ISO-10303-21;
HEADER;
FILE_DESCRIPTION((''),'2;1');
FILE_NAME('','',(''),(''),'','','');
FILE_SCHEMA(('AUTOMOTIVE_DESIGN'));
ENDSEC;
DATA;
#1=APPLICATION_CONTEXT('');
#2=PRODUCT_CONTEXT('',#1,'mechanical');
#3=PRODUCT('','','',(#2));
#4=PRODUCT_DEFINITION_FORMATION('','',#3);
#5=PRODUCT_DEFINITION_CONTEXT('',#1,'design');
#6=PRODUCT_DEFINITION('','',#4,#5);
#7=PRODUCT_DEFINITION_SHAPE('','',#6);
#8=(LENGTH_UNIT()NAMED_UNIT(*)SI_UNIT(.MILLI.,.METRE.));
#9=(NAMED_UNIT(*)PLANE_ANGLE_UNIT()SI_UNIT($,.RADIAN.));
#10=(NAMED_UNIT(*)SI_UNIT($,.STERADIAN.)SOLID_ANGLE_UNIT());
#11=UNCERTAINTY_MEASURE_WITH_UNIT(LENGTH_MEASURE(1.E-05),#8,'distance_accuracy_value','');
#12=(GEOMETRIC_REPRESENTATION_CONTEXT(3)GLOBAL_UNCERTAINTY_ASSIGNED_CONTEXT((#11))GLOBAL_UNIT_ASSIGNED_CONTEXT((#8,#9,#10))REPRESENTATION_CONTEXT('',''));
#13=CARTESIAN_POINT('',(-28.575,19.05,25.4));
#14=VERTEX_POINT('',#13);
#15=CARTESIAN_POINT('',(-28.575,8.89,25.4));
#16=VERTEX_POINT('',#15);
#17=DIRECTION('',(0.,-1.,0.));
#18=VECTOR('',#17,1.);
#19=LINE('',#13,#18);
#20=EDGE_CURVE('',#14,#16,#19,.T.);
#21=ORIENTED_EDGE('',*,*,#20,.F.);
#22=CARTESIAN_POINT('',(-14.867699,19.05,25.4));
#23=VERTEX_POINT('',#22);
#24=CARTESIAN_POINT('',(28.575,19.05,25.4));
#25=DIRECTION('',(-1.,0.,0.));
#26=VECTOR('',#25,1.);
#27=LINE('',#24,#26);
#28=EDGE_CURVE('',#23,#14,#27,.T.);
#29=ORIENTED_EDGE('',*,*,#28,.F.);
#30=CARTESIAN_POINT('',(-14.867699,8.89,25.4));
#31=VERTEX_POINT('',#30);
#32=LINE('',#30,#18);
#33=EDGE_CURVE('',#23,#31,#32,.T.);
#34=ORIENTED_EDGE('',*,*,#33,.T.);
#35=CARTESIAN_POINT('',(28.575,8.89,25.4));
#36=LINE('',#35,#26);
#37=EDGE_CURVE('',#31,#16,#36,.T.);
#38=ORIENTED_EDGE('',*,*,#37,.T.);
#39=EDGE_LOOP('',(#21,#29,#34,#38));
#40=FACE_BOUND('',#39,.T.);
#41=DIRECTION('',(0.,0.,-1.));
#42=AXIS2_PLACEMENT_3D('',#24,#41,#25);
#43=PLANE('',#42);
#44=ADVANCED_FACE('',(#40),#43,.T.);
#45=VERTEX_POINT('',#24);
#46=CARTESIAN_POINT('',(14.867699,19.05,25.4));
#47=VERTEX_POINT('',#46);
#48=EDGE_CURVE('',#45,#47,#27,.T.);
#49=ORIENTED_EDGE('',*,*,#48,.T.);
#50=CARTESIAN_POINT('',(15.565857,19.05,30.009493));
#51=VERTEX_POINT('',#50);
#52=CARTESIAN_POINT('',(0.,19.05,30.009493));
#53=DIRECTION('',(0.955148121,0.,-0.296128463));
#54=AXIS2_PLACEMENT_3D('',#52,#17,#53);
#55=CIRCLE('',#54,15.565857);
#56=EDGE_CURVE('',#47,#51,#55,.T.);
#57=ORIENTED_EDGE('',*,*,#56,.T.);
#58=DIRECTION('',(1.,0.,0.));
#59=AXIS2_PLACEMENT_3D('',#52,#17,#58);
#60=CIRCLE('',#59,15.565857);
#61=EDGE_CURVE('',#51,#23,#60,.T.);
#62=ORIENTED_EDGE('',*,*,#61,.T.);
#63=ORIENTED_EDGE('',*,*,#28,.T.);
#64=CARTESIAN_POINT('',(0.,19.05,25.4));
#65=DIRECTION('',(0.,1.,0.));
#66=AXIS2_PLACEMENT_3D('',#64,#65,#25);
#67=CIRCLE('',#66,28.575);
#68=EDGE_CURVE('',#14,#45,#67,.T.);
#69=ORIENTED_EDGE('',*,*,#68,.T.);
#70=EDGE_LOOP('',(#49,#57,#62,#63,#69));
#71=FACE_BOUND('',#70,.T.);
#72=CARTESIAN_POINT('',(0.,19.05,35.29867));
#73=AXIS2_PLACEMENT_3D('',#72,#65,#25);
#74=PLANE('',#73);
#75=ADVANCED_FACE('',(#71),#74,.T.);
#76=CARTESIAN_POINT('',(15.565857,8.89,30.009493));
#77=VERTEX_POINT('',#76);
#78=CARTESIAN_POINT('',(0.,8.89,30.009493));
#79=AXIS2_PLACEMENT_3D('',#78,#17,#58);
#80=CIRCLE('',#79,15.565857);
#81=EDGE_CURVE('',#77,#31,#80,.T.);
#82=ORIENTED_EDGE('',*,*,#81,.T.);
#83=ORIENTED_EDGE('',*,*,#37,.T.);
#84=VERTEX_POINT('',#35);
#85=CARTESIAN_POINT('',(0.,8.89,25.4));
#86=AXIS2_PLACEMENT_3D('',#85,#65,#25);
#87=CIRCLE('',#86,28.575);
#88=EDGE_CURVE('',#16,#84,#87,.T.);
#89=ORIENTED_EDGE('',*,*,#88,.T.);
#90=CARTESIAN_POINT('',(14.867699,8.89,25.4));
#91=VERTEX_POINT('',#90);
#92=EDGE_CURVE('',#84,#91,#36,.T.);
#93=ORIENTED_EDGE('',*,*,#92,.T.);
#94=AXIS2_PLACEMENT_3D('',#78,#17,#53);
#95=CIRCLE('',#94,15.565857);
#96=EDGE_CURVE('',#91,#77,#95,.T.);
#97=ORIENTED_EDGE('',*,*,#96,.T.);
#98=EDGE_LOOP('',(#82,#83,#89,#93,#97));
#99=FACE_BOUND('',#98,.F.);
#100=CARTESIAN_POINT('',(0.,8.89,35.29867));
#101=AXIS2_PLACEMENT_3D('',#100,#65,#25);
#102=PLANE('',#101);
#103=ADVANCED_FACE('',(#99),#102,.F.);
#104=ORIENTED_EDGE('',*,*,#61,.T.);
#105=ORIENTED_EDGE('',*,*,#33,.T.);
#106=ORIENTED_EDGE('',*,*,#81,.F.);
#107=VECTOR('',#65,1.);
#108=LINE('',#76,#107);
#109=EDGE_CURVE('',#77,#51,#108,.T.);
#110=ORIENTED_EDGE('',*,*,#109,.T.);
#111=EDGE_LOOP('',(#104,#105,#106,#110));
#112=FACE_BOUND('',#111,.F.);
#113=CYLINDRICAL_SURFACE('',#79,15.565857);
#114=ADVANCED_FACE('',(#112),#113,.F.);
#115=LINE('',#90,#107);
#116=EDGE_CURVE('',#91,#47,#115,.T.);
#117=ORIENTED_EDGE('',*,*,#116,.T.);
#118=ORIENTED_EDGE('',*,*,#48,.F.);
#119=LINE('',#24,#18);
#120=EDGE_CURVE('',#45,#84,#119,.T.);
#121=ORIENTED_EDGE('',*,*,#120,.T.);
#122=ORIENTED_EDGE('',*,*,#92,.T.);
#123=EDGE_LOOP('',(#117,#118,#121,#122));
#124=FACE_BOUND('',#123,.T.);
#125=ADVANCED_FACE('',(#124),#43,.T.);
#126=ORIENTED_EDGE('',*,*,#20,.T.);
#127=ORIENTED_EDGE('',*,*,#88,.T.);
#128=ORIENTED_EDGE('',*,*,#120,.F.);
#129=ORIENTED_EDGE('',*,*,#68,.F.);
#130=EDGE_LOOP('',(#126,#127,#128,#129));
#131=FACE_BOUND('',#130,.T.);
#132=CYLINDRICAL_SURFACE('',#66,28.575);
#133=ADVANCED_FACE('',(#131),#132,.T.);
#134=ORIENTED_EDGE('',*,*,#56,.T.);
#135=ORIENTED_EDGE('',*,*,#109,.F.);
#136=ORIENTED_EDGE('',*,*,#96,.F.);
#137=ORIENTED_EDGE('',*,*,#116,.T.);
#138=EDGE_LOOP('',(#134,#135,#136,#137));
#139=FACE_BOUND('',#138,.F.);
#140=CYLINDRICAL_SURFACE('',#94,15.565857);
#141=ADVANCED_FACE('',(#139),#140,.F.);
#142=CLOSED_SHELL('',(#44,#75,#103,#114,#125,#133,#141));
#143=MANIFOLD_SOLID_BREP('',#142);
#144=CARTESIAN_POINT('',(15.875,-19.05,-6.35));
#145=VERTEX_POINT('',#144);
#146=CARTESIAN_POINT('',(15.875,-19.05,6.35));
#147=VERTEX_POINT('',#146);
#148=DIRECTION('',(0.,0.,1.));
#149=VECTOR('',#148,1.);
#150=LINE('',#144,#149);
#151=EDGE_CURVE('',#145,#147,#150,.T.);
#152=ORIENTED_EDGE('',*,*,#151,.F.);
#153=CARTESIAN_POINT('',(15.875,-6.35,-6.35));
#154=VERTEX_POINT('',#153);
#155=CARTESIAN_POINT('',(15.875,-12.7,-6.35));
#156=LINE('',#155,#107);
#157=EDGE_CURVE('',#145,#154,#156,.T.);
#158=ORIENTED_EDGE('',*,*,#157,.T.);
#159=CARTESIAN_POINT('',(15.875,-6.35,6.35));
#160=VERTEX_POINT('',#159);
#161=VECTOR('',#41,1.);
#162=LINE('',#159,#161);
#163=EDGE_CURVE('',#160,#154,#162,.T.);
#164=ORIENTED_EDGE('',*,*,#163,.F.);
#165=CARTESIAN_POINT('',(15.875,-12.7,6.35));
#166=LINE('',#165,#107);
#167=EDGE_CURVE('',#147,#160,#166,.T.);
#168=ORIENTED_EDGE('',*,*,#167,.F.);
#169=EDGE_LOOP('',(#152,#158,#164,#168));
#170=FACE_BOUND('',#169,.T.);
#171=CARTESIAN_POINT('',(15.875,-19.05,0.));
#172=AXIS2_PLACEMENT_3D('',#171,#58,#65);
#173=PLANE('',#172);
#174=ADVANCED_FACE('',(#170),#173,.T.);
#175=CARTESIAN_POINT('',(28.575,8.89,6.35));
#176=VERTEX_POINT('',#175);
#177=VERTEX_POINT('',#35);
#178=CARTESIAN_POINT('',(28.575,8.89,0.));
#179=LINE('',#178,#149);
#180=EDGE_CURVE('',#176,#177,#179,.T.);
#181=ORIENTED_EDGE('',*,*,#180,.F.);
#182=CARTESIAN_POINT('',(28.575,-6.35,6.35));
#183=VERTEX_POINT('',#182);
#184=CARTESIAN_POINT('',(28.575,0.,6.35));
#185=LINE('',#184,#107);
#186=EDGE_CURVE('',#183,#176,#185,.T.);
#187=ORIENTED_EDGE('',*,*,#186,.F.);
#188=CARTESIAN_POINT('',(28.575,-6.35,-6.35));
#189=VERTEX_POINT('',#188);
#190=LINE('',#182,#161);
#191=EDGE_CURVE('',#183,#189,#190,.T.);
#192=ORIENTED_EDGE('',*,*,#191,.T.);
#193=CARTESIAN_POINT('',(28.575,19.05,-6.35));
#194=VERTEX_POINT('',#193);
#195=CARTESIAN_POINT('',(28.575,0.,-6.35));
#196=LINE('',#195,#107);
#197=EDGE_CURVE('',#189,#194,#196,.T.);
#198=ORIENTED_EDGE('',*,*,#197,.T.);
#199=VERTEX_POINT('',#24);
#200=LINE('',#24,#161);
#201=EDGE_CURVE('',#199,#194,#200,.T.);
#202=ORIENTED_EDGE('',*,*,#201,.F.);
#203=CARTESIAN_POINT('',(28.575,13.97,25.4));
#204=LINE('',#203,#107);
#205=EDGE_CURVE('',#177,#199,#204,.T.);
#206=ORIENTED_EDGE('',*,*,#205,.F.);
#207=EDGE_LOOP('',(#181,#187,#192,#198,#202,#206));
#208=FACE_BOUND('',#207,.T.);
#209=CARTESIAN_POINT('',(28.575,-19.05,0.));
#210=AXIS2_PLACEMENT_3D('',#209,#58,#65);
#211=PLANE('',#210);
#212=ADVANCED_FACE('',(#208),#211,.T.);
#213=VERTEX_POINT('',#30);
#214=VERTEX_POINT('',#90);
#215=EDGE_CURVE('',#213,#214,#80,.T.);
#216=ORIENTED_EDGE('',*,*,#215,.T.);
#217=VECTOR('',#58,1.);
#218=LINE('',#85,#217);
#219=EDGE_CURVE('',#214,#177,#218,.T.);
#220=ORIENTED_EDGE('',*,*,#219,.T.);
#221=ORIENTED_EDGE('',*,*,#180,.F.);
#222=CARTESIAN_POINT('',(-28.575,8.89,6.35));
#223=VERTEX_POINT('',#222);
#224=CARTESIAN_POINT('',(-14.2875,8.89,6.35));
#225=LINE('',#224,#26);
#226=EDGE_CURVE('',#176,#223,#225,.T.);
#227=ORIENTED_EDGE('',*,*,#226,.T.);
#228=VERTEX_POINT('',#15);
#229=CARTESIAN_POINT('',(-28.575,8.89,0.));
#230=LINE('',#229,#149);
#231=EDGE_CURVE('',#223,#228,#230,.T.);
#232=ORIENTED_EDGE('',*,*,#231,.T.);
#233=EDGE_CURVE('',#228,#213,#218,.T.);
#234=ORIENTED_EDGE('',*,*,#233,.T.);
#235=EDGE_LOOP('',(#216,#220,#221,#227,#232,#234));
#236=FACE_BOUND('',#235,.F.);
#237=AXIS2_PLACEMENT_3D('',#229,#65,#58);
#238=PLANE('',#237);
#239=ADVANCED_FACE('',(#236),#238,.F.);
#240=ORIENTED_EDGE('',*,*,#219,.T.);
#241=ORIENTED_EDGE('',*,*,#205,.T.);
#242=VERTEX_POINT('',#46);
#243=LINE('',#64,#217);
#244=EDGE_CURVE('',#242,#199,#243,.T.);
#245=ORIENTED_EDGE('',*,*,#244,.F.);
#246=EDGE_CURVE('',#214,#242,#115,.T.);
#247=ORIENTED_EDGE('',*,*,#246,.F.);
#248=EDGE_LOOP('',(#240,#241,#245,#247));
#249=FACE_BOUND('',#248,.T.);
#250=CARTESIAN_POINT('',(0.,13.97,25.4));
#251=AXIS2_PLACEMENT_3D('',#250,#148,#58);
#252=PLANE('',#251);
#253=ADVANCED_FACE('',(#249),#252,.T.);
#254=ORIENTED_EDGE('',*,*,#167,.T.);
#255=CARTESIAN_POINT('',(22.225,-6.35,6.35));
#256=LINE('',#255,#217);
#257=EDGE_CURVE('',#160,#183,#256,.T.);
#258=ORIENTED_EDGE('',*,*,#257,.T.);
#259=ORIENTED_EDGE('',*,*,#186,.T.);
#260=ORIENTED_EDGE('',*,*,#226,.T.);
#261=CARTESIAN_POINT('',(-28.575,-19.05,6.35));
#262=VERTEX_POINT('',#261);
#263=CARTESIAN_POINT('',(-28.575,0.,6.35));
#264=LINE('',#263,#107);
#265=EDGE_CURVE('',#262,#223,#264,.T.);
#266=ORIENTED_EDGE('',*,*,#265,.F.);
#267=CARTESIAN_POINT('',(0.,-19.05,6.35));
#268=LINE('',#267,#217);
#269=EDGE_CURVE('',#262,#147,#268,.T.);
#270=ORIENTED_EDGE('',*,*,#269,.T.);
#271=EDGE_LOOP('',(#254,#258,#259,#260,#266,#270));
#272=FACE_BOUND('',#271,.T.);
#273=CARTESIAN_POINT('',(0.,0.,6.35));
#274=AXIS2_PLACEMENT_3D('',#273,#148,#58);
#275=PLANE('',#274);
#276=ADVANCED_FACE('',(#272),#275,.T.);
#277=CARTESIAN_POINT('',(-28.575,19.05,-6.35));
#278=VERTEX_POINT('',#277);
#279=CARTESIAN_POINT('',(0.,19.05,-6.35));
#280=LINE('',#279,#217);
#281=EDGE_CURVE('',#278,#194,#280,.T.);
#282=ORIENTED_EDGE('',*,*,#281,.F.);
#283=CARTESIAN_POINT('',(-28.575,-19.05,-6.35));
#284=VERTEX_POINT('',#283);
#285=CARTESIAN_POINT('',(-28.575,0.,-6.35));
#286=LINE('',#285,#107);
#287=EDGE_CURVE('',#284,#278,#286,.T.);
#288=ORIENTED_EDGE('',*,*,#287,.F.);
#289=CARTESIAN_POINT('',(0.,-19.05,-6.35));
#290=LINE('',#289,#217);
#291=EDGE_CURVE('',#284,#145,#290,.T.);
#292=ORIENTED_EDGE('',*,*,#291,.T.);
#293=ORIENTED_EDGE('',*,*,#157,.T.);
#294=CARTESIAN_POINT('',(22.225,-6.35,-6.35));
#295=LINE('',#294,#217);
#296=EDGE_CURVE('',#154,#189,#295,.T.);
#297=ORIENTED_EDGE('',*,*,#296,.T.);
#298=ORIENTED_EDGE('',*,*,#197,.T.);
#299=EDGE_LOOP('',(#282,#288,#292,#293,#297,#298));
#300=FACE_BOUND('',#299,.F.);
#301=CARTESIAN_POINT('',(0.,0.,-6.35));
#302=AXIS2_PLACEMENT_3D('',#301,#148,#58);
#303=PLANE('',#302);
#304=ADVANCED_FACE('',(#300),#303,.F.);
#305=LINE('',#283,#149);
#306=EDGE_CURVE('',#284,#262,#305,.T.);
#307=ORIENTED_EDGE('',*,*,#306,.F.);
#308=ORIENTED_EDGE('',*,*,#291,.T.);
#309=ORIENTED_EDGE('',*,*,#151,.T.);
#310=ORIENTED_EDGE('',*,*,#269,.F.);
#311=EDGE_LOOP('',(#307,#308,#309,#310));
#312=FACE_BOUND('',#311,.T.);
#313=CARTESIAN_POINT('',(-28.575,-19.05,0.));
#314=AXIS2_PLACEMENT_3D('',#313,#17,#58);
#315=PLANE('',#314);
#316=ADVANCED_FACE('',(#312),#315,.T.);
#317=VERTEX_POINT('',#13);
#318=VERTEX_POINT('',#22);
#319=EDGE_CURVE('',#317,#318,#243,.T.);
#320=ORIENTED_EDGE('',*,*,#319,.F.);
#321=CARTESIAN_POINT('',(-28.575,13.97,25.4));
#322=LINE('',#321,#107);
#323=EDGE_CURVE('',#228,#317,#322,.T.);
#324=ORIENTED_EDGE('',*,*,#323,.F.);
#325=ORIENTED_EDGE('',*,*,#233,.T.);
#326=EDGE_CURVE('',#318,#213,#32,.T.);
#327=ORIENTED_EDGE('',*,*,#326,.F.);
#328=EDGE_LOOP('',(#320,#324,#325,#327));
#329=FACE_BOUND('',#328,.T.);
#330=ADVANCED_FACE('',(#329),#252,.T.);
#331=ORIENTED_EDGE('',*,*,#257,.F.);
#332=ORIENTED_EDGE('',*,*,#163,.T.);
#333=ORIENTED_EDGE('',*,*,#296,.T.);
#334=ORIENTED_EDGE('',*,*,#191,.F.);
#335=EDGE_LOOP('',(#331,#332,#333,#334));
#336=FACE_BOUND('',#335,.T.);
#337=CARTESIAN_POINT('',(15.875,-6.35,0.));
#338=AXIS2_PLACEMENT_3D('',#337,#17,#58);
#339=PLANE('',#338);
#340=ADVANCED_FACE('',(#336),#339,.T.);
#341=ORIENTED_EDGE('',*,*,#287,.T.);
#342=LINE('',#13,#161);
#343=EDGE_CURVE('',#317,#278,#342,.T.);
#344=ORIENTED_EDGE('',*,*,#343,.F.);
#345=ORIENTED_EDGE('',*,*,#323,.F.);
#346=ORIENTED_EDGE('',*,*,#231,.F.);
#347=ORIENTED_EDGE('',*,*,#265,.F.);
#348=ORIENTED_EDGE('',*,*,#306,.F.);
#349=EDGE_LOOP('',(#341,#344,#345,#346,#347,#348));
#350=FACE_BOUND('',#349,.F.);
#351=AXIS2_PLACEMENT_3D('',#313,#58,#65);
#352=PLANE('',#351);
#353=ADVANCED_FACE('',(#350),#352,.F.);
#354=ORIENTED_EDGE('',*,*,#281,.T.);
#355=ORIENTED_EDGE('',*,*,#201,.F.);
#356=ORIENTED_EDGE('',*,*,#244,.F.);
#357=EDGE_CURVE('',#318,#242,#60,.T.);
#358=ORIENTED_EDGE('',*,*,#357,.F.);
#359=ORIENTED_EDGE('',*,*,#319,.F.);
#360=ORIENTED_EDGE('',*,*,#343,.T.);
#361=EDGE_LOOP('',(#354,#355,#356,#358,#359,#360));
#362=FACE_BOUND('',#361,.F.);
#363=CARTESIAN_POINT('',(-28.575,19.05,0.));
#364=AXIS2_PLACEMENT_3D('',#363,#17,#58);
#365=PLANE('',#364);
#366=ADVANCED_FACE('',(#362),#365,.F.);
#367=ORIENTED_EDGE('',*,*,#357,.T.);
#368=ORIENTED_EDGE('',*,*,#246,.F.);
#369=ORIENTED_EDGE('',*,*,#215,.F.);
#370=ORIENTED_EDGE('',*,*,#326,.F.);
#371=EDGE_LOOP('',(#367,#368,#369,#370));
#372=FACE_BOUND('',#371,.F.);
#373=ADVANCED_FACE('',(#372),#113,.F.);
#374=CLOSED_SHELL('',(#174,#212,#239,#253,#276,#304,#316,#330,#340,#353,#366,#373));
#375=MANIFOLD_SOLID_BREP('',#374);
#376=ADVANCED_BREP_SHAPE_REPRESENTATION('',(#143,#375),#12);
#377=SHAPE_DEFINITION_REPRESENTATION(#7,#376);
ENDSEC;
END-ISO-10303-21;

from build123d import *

# Parameters (mm, degrees)
F0_W     = 57.15
F0_H     = 38.1
F1_DEPTH = 6.35
F2_W     = 12.7
F2_H     = 12.7
F3_DEPTH = 6.35
F4_W     = 57.15
F4_H     = 10.16
F5_DEPTH = 25.4
F7_DEPTH = 10.16
F9_DEPTH = 10.16


with BuildPart() as f1:
    # F0 (on Top) → F1 (new body, symmetric)
    with BuildSketch(Plane.XY):
        Rectangle(F0_W, F0_H)
    extrude(amount=F1_DEPTH, both=True)

    # F2 (on Top) → F3 (cut, symmetric)
    with BuildSketch(Plane.XY):
        with Locations((22.225, -12.7)):
            Rectangle(F2_W, F2_H)
    extrude(amount=F3_DEPTH, both=True, mode=Mode.SUBTRACT)

    # F4 (on Top) → F5 (join)
    with BuildSketch(Plane.XY):
        with Locations((0, 13.97)):
            Rectangle(F4_W, F4_H)
    extrude(amount=F5_DEPTH)


with BuildPart() as f7:
    # F6 (on face) → F7 (new body)
    with BuildSketch(Plane(origin=(0, 19.05, 0), x_dir=(-1, 0, 0), z_dir=(0, 1, 0))):
        with BuildLine():
            Line((-28.575, 25.4), (28.575, 25.4))
            ThreePointArc((28.575, 25.4), (0, 53.975), (-28.575, 25.4))
        make_face()
    extrude(amount=-F7_DEPTH)


with BuildPart() as f9_tool:
    # F8 (on face) → F9 (new body)
    with BuildSketch(Plane.XZ.offset(-8.89)):
        with BuildLine():
            ThreePointArc((14.8676988119, 25.4), (15.3903275706, 27.67846061), (15.5658567325, 30.0094932318))
            ThreePointArc((15.5658567325, 30.0094932318), (-2.3310326218, 45.3998208024), (-14.8676988119, 25.4))
            Line((-14.8676988119, 25.4), (14.8676988119, 25.4))
        make_face()
        with BuildLine():
            Line((14.8676988119, 25.4), (-14.8676988119, 25.4))
            ThreePointArc((-14.8676988119, 25.4), (0, 14.4436364993), (14.8676988119, 25.4))
        make_face()
    extrude(amount=-F9_DEPTH)


with BuildPart() as f1_1:
    add(f1.part)

    # F9: cut by f9_tool
    add(f9_tool.part, mode=Mode.SUBTRACT)


with BuildPart() as f7_1:
    add(f7.part)

    # F9: cut by f9_tool
    add(f9_tool.part, mode=Mode.SUBTRACT)


solid = Compound([f1_1.part, f7_1.part])
